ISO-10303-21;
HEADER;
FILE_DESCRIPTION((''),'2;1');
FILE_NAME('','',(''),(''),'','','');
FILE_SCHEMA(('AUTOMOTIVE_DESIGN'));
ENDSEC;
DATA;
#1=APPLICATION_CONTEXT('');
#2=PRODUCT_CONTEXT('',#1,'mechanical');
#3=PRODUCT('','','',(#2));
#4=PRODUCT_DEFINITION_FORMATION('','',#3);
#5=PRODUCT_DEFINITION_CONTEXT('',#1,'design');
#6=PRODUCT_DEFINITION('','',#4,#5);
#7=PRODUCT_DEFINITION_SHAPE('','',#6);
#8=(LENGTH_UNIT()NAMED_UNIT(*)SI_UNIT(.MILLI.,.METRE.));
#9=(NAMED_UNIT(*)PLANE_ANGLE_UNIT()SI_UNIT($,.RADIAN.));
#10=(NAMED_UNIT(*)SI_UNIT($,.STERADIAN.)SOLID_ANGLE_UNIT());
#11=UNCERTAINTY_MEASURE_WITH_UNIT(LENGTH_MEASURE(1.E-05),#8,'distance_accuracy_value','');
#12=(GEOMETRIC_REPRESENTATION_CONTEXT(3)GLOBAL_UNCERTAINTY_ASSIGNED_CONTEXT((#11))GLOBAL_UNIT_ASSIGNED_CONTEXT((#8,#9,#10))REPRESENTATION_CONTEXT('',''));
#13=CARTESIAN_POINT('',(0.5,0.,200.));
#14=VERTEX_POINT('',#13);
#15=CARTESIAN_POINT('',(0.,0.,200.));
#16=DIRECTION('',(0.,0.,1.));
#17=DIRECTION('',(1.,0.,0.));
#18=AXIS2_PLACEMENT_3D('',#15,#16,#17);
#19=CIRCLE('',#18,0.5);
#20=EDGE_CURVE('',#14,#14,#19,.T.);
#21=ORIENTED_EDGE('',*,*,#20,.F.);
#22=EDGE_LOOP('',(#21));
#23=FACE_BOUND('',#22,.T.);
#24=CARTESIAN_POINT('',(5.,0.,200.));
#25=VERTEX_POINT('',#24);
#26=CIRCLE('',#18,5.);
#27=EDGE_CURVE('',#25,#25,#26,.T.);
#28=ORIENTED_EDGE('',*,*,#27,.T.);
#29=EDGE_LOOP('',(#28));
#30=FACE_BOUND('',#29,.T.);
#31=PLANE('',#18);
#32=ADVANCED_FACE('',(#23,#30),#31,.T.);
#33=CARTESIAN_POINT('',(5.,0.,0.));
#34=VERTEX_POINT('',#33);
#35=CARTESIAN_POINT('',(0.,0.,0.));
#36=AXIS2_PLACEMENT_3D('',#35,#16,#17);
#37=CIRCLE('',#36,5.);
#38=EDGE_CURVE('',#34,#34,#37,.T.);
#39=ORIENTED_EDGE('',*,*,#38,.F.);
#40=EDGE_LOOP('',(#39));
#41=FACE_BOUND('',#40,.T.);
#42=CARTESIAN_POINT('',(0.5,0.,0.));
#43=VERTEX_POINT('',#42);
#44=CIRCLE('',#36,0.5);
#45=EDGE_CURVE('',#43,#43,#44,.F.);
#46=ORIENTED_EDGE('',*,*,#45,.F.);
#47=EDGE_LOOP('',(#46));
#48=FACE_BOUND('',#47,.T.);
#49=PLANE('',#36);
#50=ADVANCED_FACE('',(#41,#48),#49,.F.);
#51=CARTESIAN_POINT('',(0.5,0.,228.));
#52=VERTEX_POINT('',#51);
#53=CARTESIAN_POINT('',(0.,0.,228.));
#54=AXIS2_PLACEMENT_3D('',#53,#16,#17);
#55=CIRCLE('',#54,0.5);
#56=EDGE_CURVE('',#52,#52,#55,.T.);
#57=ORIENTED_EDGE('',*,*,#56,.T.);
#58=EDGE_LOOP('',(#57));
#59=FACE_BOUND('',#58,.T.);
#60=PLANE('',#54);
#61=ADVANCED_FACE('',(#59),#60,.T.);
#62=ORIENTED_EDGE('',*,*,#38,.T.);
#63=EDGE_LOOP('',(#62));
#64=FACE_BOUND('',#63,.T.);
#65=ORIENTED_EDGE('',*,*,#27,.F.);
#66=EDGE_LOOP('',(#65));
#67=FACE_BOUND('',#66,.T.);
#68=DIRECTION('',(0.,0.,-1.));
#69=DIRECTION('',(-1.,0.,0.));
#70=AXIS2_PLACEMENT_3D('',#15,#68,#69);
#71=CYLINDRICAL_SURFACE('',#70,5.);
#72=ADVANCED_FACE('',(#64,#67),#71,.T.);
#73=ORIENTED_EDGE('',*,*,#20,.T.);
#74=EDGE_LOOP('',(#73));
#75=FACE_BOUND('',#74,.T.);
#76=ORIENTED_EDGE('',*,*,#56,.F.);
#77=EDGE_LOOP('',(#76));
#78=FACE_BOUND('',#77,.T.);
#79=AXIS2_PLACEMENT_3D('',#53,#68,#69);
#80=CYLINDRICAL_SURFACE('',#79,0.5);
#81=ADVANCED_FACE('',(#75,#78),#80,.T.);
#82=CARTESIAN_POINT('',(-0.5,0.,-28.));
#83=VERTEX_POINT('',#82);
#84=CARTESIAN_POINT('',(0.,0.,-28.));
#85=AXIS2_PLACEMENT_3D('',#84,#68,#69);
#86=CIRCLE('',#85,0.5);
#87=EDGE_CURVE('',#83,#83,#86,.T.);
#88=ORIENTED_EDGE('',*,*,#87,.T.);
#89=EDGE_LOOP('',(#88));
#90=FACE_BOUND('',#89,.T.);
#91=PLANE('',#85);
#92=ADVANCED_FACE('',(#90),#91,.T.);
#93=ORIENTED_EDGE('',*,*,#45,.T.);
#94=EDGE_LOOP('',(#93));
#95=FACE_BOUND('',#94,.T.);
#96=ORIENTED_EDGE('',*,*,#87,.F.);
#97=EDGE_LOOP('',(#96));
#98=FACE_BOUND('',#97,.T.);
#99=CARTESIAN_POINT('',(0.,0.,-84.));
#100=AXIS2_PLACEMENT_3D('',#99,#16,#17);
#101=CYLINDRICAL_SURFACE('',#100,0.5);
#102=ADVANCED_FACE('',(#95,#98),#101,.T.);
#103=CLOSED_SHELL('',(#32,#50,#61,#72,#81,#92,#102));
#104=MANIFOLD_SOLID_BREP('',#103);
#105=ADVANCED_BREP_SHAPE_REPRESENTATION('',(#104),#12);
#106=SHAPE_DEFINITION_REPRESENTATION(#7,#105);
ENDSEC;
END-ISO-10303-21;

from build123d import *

# Parameters (mm, degrees)
SKETCH_7_R          = 5
EXTRUDE_4_DEPTH     = 200
SKETCH_8_R          = 0.5
EXTRUDE_5_DEPTH     = 28
EXTRUDE_START       = 84
SKETCH_9_R          = 0.5
EXTRUDE_6_DEPTH     = 84
SKETCH_10_R         = 0.5
CUT_EXTRUDE_1_DEPTH = 56


with BuildPart() as part:
    # 草图7 → 凸台-拉伸4 (new body)
    with BuildSketch(Plane.XY):
        Circle(SKETCH_7_R)
    extrude(amount=EXTRUDE_4_DEPTH)

    # 草图8 → 凸台-拉伸5 (add)
    with BuildSketch(Plane.XY.offset(200)):
        Circle(SKETCH_8_R)
    extrude(amount=EXTRUDE_5_DEPTH)

    # 草图9 → 凸台-拉伸6 (add)
    with BuildSketch(Plane(origin=(0, 0, 0), x_dir=(-1, 0, 0), z_dir=(0, 0, -1)).offset(EXTRUDE_START)):
        with Locations(Location((0, 0, 0), (0, 0, 180))):
            Circle(SKETCH_9_R)
    extrude(amount=-EXTRUDE_6_DEPTH)

    # 草图10 → 切除-拉伸1 (cut)
    with BuildSketch(Plane(origin=(0, 0, -84), x_dir=(-1, 0, 0), z_dir=(0, 0, -1))):
        with Locations(Location((0, 0, 0), (0, 0, 180))):
            Circle(SKETCH_10_R)
    extrude(amount=-CUT_EXTRUDE_1_DEPTH, mode=Mode.SUBTRACT)


solid = part.part
